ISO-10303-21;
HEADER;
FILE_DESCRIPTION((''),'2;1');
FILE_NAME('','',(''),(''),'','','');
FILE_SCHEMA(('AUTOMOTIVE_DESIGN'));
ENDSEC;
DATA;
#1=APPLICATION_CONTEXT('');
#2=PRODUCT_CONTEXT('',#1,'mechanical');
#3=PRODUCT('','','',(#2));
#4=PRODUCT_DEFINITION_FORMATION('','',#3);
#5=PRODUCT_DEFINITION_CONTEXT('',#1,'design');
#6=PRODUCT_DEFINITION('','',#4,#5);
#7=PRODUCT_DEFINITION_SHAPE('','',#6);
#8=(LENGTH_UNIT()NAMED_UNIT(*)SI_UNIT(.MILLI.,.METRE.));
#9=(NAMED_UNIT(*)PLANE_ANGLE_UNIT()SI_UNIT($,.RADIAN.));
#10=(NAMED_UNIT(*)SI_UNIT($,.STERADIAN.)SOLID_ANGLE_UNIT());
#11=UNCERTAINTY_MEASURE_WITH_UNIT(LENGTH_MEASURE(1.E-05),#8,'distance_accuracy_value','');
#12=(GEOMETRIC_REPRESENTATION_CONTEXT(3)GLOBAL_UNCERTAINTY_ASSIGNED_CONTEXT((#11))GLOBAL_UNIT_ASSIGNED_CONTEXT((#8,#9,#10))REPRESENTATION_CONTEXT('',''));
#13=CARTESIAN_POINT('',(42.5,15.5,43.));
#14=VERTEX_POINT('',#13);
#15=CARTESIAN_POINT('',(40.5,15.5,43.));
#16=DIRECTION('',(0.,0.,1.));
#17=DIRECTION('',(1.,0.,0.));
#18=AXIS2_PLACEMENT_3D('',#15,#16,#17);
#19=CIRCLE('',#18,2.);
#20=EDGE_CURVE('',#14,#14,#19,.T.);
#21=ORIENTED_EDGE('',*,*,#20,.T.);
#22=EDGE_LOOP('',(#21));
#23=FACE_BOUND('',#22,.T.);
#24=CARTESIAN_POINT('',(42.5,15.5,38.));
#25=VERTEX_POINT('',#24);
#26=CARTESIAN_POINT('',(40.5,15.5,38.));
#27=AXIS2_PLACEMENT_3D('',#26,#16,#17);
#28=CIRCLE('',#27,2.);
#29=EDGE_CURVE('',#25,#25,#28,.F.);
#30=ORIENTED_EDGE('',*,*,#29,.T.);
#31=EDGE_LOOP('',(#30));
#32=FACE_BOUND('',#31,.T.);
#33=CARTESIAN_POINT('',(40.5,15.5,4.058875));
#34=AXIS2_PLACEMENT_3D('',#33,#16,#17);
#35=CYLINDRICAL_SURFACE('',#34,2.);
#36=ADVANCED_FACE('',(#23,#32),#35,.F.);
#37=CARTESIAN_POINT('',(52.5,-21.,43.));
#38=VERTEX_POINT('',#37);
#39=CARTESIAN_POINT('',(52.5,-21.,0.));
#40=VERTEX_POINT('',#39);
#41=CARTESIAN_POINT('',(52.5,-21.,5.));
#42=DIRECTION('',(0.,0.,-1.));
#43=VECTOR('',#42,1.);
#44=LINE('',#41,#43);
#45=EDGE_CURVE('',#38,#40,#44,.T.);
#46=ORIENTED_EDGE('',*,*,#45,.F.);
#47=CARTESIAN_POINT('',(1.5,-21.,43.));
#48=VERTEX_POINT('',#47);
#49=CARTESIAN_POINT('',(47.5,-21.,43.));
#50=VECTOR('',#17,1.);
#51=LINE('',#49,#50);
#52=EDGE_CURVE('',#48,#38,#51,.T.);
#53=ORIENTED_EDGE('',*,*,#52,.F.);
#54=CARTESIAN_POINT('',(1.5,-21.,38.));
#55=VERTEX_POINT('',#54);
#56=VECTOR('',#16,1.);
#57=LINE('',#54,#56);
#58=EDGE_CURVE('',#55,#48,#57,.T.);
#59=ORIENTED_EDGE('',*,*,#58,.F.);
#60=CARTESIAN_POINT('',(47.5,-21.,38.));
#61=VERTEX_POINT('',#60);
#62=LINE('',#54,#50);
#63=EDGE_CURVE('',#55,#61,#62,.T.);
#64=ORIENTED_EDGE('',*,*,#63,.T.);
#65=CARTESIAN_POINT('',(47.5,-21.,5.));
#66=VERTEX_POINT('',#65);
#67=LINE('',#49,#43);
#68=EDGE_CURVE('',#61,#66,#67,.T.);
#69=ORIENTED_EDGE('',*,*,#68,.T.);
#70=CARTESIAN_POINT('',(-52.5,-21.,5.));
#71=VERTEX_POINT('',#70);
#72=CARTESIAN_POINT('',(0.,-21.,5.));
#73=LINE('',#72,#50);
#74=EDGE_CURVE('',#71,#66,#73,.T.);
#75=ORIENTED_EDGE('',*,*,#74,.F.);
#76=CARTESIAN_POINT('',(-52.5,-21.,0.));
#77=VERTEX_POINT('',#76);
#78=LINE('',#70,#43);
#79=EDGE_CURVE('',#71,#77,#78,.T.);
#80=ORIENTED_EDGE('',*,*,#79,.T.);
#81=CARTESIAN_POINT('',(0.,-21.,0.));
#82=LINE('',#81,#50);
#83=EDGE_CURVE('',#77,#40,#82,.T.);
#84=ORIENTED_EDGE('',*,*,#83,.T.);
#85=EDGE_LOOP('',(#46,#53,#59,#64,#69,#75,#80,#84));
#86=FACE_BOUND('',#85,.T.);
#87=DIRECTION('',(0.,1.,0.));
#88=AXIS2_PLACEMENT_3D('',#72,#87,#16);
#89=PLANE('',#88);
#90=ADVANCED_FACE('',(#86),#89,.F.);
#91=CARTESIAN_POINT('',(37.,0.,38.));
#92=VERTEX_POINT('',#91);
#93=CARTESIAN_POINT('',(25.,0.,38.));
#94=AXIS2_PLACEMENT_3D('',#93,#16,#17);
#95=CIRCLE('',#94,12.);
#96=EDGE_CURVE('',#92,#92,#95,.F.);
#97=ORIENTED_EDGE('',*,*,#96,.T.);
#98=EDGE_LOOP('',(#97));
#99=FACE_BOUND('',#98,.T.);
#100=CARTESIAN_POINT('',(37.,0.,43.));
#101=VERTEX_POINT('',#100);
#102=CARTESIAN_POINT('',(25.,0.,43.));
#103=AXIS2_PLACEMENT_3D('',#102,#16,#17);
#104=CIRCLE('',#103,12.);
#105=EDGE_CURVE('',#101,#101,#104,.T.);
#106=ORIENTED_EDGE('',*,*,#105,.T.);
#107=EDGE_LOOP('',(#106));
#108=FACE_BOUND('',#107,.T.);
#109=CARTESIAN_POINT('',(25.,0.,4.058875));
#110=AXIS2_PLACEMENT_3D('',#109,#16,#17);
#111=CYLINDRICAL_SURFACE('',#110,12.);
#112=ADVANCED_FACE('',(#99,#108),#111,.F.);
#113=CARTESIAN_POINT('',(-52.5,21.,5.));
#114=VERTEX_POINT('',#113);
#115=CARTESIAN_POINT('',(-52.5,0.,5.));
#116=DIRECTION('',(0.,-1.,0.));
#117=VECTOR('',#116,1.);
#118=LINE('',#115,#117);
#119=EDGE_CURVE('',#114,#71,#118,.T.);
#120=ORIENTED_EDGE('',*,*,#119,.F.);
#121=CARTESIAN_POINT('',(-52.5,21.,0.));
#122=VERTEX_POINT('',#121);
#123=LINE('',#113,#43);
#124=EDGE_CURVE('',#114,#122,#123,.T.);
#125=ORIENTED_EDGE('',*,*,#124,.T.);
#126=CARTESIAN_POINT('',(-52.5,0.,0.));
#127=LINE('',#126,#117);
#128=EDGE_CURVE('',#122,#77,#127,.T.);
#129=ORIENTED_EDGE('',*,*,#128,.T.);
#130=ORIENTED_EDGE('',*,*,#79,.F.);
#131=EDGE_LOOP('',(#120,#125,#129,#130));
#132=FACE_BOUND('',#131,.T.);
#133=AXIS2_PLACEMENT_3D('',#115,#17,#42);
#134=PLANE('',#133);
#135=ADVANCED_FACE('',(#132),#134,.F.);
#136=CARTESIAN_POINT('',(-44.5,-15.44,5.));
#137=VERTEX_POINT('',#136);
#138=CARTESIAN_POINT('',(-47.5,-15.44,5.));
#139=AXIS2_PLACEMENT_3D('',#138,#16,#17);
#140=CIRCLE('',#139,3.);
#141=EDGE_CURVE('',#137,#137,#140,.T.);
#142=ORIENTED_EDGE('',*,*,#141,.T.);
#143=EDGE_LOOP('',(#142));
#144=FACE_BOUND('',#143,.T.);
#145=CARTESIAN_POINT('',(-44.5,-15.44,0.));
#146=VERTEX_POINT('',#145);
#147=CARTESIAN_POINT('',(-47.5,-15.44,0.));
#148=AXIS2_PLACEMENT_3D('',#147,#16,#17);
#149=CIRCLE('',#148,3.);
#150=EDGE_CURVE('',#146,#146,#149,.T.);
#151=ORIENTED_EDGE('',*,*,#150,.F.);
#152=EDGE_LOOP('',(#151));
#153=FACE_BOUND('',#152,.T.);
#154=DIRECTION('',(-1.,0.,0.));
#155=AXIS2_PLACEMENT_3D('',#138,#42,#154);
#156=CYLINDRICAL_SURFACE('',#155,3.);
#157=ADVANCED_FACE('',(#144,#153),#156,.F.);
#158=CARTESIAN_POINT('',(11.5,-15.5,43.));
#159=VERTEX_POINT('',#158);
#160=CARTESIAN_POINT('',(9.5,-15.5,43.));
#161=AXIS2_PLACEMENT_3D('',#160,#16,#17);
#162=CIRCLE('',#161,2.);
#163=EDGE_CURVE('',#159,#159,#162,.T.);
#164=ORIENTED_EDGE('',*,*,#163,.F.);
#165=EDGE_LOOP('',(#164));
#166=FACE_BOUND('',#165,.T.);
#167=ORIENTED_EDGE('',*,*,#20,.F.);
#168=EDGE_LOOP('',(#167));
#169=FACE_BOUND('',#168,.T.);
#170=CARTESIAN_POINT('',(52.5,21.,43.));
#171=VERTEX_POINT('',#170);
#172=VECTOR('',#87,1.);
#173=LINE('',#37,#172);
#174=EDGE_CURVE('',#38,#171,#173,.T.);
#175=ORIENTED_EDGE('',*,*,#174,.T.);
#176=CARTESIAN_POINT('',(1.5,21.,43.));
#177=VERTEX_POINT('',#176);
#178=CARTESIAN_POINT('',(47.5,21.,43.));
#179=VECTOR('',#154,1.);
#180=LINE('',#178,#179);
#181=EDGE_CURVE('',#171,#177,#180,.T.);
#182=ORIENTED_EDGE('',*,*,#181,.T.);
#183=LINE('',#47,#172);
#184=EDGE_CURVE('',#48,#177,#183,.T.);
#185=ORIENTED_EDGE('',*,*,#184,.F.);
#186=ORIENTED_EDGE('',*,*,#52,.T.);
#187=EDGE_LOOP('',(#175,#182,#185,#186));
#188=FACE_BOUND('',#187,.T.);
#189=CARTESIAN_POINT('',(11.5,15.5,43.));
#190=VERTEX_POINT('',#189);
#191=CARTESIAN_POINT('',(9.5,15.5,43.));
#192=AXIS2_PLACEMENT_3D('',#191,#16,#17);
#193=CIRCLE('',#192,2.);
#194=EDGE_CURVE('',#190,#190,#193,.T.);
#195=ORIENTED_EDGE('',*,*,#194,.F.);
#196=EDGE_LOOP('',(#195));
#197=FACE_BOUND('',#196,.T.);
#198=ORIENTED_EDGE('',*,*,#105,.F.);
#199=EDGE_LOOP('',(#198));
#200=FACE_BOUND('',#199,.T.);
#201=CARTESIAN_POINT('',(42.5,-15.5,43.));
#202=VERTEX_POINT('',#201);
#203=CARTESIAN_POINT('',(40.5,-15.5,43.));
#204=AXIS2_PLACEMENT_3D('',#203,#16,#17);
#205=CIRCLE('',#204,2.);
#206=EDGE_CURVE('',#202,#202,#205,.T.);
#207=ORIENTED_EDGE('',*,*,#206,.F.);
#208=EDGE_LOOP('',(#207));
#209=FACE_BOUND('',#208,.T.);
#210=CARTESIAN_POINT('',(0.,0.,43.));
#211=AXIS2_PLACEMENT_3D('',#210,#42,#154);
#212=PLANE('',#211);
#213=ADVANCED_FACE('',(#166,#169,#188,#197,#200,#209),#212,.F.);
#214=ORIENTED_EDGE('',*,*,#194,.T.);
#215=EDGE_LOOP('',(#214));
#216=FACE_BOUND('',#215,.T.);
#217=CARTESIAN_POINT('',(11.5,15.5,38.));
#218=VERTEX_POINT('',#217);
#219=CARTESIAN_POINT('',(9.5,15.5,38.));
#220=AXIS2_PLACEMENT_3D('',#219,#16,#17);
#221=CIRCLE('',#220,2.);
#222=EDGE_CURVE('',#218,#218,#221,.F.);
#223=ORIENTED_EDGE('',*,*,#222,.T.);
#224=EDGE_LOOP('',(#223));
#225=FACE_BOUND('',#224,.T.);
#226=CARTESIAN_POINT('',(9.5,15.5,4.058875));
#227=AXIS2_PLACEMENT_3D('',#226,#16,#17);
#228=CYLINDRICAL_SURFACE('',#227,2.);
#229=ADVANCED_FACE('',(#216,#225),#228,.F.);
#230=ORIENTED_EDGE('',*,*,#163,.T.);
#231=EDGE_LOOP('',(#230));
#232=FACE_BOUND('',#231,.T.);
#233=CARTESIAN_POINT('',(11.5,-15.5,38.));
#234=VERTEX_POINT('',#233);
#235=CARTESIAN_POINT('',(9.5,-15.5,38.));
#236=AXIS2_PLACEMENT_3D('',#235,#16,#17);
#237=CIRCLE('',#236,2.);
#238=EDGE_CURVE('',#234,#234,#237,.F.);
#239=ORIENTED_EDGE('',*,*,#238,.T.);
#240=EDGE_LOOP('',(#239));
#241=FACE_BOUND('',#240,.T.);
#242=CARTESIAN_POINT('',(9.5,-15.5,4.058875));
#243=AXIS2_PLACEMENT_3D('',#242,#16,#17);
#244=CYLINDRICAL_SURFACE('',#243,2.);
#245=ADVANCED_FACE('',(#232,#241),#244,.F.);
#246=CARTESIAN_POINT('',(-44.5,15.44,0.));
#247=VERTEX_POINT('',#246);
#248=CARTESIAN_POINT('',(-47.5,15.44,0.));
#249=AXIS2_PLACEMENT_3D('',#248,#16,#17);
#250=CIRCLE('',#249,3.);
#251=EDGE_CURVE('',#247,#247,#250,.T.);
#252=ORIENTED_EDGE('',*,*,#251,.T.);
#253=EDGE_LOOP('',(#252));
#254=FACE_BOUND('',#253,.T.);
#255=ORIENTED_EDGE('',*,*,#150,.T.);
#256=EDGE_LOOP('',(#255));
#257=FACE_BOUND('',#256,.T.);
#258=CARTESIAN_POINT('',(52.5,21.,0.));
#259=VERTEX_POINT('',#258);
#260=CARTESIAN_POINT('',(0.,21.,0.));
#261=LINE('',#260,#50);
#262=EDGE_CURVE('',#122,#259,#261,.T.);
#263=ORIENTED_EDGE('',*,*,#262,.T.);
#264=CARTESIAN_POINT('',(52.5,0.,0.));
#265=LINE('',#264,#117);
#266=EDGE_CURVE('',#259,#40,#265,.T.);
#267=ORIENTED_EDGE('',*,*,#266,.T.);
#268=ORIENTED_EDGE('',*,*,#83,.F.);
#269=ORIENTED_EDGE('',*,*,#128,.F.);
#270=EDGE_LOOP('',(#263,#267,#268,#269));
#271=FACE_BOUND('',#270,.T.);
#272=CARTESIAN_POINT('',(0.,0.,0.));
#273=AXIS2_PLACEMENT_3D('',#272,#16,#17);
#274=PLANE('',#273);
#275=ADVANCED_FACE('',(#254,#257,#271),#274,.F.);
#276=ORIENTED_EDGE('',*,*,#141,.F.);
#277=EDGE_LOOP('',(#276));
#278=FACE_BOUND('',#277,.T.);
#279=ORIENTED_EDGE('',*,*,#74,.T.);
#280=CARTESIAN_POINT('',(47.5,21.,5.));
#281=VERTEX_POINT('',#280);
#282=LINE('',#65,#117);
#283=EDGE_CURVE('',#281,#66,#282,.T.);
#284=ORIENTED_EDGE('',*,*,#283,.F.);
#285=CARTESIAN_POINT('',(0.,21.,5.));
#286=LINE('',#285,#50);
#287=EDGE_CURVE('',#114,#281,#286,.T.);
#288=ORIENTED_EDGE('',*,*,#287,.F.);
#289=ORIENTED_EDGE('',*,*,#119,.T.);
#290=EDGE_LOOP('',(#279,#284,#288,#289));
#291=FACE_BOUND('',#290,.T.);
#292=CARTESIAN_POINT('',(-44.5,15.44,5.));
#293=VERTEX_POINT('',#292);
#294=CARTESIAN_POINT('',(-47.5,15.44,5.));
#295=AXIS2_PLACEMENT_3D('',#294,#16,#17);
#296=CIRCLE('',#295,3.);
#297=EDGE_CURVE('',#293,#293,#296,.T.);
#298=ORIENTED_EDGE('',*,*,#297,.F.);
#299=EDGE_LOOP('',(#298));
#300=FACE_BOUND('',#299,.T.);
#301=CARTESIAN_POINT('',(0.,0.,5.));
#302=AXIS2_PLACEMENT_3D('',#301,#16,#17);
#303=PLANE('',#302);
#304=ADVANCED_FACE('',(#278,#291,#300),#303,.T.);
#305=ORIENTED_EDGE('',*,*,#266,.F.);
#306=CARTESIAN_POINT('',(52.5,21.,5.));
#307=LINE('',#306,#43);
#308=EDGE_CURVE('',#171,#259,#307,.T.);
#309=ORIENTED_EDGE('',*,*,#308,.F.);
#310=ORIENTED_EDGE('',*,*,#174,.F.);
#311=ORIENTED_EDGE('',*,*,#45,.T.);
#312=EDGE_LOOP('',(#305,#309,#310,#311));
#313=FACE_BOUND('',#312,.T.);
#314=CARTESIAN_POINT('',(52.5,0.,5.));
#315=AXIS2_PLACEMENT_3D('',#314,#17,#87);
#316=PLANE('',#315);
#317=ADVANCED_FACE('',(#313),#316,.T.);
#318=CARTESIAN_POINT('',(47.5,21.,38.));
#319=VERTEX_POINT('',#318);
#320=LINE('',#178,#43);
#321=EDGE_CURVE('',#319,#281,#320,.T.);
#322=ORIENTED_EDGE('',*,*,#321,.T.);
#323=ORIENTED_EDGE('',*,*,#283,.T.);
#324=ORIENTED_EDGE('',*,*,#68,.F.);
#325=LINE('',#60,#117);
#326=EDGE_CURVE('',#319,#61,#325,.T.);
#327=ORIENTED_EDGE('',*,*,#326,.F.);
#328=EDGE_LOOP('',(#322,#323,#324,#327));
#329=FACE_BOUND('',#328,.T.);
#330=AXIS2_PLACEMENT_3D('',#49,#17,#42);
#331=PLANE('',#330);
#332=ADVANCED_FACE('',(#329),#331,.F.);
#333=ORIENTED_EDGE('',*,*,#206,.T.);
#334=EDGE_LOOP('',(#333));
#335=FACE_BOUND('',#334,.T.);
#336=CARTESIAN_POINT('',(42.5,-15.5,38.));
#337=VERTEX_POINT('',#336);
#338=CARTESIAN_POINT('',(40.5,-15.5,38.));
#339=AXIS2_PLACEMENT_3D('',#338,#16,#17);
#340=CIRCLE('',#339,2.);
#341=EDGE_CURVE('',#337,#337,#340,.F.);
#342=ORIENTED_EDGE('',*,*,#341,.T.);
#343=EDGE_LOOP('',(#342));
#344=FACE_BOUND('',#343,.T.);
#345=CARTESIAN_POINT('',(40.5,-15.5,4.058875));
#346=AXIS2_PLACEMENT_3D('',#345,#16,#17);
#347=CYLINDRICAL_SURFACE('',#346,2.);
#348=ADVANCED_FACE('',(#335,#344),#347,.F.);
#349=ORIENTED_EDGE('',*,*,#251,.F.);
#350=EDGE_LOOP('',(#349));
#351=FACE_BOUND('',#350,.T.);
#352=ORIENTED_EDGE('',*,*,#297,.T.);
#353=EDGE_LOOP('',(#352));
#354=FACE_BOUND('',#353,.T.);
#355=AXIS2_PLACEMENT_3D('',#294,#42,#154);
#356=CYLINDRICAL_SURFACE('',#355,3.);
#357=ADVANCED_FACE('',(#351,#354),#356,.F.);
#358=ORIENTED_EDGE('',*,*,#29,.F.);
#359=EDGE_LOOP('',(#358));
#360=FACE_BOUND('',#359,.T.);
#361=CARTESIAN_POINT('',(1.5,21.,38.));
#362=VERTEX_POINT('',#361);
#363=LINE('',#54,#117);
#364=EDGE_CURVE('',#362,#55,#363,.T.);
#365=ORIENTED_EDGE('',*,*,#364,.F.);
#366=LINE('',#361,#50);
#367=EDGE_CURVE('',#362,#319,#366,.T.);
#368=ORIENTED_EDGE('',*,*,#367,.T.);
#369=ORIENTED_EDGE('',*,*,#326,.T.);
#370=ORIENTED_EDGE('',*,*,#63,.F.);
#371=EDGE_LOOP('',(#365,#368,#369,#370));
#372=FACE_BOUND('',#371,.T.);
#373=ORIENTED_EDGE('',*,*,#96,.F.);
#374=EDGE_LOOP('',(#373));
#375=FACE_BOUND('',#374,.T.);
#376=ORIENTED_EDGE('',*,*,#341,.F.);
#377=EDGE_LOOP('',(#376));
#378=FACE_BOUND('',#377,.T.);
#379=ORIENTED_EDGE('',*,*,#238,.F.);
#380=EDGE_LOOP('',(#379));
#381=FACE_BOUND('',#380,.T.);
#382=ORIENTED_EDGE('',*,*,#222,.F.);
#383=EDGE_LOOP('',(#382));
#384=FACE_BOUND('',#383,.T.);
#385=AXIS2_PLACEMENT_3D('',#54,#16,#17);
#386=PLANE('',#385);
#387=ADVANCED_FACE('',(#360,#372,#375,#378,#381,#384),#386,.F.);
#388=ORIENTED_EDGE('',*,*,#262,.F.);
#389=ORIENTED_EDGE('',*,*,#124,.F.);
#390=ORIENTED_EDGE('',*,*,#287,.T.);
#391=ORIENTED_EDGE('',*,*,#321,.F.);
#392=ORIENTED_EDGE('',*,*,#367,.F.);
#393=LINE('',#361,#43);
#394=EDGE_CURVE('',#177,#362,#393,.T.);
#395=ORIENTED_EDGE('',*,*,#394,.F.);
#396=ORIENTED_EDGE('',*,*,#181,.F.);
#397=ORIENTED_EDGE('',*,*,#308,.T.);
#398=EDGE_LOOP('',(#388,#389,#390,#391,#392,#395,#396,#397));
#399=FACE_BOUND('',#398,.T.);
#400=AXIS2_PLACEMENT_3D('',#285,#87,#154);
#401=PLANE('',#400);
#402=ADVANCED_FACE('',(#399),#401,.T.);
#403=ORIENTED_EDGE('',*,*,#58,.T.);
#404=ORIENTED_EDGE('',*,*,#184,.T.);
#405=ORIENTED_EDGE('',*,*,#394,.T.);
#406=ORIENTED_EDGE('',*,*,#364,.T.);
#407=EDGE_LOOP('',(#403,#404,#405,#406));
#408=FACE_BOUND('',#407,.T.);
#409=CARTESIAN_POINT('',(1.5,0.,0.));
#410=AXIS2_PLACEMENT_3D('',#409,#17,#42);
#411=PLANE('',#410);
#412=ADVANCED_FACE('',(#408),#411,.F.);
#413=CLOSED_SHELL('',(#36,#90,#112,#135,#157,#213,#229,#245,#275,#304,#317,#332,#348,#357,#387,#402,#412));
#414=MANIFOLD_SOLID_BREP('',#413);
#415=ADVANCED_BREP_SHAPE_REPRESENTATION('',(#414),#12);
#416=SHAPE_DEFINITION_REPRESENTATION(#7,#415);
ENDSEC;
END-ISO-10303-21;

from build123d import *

# Parameters (mm, degrees)
CROQUIS1_W              = 105
CROQUIS1_H              = 42
CROQUIS1_R              = 3
SALIENTE_EXTRUIR1_DEPTH = 5
CROQUIS5_W              = 5
CROQUIS5_H              = 42
SALIENTE_EXTRUIR2_DEPTH = 38
CROQUIS8_W              = 5
CROQUIS8_H              = 42
SALIENTE_EXTRUIR3_DEPTH = 46
CROQUIS10_R             = 2
CROQUIS10_R_2           = 12
CORTAR_EXTRUIR1_DEPTH   = 5


with BuildPart() as part:
    # Croquis1 → Saliente-Extruir1 (new body)
    with BuildSketch(Plane.XY):
        Rectangle(CROQUIS1_W, CROQUIS1_H)
        with Locations((-47.5, 15.44)):
            Circle(CROQUIS1_R, mode=Mode.SUBTRACT)
        with Locations((-47.5, -15.44)):
            Circle(CROQUIS1_R, mode=Mode.SUBTRACT)
    extrude(amount=SALIENTE_EXTRUIR1_DEPTH)

    # Croquis5 → Saliente-Extruir2 (add)
    with BuildSketch(Plane.XY.offset(5)):
        with Locations((50, 0)):
            Rectangle(CROQUIS5_W, CROQUIS5_H)
    extrude(amount=SALIENTE_EXTRUIR2_DEPTH)

    # Croquis8 → Saliente-Extruir3 (add)
    with BuildSketch(Plane.ZY.offset(-47.5)):
        with Locations((40.5, 0)):
            Rectangle(CROQUIS8_W, CROQUIS8_H)
    extrude(amount=SALIENTE_EXTRUIR3_DEPTH)

    # Croquis10 → Cortar-Extruir1 (cut)
    with BuildSketch(Plane.XY.offset(43)):
        with Locations((9.5, 15.5)):
            Circle(CROQUIS10_R)
        with Locations((9.5, -15.5)):
            Circle(CROQUIS10_R)
        with Locations((40.5, -15.5)):
            Circle(CROQUIS10_R)
        with Locations((40.5, 15.5)):
            Circle(CROQUIS10_R)
        with Locations((25, 0)):
            Circle(CROQUIS10_R_2)
    extrude(amount=-CORTAR_EXTRUIR1_DEPTH, mode=Mode.SUBTRACT)


solid = part.part
